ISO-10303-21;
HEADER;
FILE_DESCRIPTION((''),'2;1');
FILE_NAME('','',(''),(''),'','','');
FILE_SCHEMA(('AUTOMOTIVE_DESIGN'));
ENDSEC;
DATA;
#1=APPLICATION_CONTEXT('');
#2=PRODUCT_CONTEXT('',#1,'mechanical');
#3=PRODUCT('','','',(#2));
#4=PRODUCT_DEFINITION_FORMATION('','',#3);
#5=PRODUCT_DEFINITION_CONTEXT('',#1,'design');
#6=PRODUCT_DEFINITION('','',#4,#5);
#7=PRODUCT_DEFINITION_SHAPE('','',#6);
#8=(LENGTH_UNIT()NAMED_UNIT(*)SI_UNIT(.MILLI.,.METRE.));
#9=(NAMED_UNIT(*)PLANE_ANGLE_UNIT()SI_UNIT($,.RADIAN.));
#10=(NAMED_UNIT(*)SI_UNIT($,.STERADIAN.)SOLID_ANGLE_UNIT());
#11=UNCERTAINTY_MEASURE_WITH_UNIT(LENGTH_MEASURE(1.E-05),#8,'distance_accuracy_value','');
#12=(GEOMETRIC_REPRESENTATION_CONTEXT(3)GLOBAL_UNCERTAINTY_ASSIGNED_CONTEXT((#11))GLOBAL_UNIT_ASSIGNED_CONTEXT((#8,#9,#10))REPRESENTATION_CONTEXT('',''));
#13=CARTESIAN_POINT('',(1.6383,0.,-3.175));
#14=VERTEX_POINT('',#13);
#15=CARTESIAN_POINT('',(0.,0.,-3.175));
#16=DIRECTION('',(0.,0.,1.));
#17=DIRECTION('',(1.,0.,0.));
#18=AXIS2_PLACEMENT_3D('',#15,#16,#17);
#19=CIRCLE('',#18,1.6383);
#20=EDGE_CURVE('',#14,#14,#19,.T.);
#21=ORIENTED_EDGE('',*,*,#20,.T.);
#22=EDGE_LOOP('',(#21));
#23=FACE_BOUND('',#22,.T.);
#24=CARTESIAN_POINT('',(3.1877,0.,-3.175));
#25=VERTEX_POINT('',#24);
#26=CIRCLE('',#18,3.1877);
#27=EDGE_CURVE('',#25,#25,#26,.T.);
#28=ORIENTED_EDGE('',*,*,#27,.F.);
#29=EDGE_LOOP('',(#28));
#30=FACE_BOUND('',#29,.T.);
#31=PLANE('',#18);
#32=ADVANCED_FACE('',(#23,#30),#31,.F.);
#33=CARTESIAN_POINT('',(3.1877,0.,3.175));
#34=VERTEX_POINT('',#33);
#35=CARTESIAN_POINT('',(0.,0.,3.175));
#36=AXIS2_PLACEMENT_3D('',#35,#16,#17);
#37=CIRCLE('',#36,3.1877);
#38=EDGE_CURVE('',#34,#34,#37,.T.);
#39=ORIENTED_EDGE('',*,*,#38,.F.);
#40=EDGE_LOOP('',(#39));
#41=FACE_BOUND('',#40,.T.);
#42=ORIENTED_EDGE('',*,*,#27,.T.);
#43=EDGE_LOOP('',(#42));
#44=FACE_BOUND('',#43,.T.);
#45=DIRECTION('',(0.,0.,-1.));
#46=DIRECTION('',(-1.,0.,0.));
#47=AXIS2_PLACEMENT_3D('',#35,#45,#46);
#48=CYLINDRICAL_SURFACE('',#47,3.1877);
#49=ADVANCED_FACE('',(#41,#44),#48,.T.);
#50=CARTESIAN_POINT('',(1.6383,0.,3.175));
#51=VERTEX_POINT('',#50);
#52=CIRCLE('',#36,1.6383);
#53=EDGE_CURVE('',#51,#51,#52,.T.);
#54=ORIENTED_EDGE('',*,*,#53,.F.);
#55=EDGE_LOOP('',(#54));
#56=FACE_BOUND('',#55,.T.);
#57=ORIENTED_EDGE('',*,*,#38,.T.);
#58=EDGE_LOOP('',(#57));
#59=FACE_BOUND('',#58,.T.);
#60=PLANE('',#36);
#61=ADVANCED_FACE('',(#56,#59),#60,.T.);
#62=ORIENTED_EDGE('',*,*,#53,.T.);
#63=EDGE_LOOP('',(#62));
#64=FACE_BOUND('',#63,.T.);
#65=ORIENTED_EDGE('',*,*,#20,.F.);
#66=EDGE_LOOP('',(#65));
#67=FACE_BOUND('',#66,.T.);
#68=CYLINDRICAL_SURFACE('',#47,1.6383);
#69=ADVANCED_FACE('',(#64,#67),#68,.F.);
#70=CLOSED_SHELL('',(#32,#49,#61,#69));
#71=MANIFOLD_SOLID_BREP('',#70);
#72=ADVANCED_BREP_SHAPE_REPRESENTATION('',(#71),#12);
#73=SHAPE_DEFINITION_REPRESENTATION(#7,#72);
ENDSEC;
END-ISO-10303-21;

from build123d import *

# Parameters (mm, degrees)
SKETCH1_R      = 3.1877
SKETCH1_R_2    = 1.6383
EXTRUDE1_DEPTH = 3.175


with BuildPart() as part:
    # Sketch1 → Extrude1 (new body, symmetric)
    with BuildSketch(Plane.XY):
        Circle(SKETCH1_R)
        Circle(SKETCH1_R_2, mode=Mode.SUBTRACT)
    extrude(amount=EXTRUDE1_DEPTH, both=True)


solid = part.part
